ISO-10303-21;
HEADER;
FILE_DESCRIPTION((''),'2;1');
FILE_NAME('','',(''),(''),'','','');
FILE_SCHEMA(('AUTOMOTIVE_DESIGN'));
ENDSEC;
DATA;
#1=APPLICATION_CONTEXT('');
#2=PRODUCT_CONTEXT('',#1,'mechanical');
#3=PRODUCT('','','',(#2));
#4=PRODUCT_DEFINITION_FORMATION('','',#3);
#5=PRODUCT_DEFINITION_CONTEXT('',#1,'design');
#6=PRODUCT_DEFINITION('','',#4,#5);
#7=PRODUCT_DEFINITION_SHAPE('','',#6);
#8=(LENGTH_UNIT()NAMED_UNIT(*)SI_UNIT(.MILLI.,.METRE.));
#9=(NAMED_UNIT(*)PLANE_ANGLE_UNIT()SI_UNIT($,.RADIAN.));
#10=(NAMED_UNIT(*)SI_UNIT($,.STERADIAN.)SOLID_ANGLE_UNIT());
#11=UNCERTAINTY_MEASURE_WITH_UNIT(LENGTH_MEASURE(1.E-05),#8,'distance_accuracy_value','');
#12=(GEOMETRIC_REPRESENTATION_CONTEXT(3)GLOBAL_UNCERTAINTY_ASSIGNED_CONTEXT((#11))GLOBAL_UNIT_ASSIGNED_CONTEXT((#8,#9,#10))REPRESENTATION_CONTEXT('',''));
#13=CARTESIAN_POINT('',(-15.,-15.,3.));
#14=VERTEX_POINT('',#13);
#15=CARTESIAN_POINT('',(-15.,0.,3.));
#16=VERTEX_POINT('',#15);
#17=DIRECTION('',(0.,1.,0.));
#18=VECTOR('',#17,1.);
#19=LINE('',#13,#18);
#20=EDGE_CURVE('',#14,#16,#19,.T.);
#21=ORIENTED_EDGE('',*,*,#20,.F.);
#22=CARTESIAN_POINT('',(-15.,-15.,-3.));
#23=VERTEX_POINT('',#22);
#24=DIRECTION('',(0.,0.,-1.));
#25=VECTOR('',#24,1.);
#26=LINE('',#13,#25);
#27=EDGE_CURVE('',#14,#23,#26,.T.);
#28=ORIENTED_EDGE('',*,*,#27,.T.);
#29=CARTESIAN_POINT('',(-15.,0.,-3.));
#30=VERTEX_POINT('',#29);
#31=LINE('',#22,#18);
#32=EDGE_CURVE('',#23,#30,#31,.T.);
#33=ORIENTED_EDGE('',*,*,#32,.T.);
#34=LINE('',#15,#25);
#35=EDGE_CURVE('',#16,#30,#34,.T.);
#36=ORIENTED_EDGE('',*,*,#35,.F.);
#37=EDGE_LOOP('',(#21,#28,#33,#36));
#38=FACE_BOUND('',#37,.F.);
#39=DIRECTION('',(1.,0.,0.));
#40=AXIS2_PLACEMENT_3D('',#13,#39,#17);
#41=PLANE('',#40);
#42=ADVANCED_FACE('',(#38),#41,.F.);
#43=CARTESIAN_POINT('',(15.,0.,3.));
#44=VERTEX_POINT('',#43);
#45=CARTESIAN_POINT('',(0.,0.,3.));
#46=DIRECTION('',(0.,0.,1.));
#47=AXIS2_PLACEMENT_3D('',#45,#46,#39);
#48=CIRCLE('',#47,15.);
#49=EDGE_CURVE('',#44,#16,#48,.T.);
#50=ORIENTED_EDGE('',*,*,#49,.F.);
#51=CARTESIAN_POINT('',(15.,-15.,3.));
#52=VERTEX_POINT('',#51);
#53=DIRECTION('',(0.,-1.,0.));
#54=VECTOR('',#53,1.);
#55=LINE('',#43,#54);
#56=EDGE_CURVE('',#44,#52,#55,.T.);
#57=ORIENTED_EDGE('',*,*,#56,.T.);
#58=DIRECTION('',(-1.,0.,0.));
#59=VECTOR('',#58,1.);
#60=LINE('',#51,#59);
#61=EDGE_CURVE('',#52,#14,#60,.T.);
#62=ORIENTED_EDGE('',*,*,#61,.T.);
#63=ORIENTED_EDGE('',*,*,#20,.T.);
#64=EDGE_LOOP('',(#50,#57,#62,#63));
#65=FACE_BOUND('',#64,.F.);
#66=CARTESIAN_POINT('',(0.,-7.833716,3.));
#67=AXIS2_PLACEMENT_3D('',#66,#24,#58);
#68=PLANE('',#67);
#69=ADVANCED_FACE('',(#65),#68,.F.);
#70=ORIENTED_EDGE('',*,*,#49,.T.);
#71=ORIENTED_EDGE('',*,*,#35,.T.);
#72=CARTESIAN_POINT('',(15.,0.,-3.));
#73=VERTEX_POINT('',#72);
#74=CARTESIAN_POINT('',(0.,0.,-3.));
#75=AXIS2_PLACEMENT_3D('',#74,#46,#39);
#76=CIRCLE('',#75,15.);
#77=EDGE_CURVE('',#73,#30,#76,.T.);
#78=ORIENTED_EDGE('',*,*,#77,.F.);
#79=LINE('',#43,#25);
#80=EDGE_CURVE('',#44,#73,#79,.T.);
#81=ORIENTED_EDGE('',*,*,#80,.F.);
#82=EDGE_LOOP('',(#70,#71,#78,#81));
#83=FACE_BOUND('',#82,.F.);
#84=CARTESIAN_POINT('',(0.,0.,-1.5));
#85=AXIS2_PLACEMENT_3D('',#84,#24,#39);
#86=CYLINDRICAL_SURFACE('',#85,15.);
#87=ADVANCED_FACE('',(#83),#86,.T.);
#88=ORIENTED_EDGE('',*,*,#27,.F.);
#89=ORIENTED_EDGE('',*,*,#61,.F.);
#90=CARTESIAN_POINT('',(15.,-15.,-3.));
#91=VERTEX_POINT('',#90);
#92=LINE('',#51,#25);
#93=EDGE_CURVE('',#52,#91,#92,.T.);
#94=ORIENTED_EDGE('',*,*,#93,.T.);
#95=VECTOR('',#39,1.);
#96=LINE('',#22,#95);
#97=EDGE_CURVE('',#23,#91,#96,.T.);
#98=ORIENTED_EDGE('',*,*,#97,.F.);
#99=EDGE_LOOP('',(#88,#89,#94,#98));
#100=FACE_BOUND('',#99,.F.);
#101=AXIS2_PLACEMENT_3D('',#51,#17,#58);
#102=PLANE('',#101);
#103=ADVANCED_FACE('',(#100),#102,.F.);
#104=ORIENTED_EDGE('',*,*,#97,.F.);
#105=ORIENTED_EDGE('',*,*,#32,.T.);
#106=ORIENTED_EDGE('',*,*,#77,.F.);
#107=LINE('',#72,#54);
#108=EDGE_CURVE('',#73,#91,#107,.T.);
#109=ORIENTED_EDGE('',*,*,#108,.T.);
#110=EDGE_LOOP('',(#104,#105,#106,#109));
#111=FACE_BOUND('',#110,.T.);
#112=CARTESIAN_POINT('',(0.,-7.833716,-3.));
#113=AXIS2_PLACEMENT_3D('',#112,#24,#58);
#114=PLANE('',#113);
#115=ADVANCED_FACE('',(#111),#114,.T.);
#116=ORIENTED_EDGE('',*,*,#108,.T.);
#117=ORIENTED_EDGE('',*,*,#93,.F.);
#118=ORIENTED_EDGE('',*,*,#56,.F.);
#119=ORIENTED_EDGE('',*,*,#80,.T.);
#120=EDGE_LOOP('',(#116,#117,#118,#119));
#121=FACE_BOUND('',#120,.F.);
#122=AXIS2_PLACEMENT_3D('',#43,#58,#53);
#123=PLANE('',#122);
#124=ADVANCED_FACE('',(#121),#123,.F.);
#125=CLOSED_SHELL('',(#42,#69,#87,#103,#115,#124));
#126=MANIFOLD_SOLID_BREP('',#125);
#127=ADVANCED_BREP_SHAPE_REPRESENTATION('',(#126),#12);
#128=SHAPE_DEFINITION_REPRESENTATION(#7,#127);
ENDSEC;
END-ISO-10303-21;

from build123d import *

# Parameters (mm, degrees)
SKETCH003_W  = 15
SKETCH003_H  = 3
PAD002_DEPTH = 6


with BuildPart() as twslot001:
    # Sketch003 → Revolution (revolve)
    with BuildSketch(Plane.XZ):
        with Locations((7.5, 1.5)):
            Rectangle(SKETCH003_W, SKETCH003_H)
    revolve(axis=Axis((0, 0, 0), (0, 0, 1)))


with BuildPart() as part_mirroring:
    # Part__Mirroring: instance of TWSlot001
    add(twslot001.part.mirror(Plane(origin=(0, 0, 0), x_dir=(0, 1, 0), z_dir=(0, 0, 1))))


with BuildPart() as refine_twslot004:
    # Fusion001 base: copy of TWSlot001
    add(twslot001.part)

    # Fusion001: union Part__Mirroring
    add(part_mirroring.part)

    # Sketch004 → Pad002 (new body)
    with BuildSketch(Plane.XY.offset(3)):
        with BuildLine():
            Line((15, 0), (15, -15))
            Line((15, -15), (-15, -15))
            Line((-15, -15), (-15, 0))
            Line((-15, 0), (-7, 0))
            ThreePointArc((-7, 0), (0, -7), (7, 0))
            Line((7, 0), (15, 0))
        make_face()
    extrude(amount=-PAD002_DEPTH)


solid = refine_twslot004.part
